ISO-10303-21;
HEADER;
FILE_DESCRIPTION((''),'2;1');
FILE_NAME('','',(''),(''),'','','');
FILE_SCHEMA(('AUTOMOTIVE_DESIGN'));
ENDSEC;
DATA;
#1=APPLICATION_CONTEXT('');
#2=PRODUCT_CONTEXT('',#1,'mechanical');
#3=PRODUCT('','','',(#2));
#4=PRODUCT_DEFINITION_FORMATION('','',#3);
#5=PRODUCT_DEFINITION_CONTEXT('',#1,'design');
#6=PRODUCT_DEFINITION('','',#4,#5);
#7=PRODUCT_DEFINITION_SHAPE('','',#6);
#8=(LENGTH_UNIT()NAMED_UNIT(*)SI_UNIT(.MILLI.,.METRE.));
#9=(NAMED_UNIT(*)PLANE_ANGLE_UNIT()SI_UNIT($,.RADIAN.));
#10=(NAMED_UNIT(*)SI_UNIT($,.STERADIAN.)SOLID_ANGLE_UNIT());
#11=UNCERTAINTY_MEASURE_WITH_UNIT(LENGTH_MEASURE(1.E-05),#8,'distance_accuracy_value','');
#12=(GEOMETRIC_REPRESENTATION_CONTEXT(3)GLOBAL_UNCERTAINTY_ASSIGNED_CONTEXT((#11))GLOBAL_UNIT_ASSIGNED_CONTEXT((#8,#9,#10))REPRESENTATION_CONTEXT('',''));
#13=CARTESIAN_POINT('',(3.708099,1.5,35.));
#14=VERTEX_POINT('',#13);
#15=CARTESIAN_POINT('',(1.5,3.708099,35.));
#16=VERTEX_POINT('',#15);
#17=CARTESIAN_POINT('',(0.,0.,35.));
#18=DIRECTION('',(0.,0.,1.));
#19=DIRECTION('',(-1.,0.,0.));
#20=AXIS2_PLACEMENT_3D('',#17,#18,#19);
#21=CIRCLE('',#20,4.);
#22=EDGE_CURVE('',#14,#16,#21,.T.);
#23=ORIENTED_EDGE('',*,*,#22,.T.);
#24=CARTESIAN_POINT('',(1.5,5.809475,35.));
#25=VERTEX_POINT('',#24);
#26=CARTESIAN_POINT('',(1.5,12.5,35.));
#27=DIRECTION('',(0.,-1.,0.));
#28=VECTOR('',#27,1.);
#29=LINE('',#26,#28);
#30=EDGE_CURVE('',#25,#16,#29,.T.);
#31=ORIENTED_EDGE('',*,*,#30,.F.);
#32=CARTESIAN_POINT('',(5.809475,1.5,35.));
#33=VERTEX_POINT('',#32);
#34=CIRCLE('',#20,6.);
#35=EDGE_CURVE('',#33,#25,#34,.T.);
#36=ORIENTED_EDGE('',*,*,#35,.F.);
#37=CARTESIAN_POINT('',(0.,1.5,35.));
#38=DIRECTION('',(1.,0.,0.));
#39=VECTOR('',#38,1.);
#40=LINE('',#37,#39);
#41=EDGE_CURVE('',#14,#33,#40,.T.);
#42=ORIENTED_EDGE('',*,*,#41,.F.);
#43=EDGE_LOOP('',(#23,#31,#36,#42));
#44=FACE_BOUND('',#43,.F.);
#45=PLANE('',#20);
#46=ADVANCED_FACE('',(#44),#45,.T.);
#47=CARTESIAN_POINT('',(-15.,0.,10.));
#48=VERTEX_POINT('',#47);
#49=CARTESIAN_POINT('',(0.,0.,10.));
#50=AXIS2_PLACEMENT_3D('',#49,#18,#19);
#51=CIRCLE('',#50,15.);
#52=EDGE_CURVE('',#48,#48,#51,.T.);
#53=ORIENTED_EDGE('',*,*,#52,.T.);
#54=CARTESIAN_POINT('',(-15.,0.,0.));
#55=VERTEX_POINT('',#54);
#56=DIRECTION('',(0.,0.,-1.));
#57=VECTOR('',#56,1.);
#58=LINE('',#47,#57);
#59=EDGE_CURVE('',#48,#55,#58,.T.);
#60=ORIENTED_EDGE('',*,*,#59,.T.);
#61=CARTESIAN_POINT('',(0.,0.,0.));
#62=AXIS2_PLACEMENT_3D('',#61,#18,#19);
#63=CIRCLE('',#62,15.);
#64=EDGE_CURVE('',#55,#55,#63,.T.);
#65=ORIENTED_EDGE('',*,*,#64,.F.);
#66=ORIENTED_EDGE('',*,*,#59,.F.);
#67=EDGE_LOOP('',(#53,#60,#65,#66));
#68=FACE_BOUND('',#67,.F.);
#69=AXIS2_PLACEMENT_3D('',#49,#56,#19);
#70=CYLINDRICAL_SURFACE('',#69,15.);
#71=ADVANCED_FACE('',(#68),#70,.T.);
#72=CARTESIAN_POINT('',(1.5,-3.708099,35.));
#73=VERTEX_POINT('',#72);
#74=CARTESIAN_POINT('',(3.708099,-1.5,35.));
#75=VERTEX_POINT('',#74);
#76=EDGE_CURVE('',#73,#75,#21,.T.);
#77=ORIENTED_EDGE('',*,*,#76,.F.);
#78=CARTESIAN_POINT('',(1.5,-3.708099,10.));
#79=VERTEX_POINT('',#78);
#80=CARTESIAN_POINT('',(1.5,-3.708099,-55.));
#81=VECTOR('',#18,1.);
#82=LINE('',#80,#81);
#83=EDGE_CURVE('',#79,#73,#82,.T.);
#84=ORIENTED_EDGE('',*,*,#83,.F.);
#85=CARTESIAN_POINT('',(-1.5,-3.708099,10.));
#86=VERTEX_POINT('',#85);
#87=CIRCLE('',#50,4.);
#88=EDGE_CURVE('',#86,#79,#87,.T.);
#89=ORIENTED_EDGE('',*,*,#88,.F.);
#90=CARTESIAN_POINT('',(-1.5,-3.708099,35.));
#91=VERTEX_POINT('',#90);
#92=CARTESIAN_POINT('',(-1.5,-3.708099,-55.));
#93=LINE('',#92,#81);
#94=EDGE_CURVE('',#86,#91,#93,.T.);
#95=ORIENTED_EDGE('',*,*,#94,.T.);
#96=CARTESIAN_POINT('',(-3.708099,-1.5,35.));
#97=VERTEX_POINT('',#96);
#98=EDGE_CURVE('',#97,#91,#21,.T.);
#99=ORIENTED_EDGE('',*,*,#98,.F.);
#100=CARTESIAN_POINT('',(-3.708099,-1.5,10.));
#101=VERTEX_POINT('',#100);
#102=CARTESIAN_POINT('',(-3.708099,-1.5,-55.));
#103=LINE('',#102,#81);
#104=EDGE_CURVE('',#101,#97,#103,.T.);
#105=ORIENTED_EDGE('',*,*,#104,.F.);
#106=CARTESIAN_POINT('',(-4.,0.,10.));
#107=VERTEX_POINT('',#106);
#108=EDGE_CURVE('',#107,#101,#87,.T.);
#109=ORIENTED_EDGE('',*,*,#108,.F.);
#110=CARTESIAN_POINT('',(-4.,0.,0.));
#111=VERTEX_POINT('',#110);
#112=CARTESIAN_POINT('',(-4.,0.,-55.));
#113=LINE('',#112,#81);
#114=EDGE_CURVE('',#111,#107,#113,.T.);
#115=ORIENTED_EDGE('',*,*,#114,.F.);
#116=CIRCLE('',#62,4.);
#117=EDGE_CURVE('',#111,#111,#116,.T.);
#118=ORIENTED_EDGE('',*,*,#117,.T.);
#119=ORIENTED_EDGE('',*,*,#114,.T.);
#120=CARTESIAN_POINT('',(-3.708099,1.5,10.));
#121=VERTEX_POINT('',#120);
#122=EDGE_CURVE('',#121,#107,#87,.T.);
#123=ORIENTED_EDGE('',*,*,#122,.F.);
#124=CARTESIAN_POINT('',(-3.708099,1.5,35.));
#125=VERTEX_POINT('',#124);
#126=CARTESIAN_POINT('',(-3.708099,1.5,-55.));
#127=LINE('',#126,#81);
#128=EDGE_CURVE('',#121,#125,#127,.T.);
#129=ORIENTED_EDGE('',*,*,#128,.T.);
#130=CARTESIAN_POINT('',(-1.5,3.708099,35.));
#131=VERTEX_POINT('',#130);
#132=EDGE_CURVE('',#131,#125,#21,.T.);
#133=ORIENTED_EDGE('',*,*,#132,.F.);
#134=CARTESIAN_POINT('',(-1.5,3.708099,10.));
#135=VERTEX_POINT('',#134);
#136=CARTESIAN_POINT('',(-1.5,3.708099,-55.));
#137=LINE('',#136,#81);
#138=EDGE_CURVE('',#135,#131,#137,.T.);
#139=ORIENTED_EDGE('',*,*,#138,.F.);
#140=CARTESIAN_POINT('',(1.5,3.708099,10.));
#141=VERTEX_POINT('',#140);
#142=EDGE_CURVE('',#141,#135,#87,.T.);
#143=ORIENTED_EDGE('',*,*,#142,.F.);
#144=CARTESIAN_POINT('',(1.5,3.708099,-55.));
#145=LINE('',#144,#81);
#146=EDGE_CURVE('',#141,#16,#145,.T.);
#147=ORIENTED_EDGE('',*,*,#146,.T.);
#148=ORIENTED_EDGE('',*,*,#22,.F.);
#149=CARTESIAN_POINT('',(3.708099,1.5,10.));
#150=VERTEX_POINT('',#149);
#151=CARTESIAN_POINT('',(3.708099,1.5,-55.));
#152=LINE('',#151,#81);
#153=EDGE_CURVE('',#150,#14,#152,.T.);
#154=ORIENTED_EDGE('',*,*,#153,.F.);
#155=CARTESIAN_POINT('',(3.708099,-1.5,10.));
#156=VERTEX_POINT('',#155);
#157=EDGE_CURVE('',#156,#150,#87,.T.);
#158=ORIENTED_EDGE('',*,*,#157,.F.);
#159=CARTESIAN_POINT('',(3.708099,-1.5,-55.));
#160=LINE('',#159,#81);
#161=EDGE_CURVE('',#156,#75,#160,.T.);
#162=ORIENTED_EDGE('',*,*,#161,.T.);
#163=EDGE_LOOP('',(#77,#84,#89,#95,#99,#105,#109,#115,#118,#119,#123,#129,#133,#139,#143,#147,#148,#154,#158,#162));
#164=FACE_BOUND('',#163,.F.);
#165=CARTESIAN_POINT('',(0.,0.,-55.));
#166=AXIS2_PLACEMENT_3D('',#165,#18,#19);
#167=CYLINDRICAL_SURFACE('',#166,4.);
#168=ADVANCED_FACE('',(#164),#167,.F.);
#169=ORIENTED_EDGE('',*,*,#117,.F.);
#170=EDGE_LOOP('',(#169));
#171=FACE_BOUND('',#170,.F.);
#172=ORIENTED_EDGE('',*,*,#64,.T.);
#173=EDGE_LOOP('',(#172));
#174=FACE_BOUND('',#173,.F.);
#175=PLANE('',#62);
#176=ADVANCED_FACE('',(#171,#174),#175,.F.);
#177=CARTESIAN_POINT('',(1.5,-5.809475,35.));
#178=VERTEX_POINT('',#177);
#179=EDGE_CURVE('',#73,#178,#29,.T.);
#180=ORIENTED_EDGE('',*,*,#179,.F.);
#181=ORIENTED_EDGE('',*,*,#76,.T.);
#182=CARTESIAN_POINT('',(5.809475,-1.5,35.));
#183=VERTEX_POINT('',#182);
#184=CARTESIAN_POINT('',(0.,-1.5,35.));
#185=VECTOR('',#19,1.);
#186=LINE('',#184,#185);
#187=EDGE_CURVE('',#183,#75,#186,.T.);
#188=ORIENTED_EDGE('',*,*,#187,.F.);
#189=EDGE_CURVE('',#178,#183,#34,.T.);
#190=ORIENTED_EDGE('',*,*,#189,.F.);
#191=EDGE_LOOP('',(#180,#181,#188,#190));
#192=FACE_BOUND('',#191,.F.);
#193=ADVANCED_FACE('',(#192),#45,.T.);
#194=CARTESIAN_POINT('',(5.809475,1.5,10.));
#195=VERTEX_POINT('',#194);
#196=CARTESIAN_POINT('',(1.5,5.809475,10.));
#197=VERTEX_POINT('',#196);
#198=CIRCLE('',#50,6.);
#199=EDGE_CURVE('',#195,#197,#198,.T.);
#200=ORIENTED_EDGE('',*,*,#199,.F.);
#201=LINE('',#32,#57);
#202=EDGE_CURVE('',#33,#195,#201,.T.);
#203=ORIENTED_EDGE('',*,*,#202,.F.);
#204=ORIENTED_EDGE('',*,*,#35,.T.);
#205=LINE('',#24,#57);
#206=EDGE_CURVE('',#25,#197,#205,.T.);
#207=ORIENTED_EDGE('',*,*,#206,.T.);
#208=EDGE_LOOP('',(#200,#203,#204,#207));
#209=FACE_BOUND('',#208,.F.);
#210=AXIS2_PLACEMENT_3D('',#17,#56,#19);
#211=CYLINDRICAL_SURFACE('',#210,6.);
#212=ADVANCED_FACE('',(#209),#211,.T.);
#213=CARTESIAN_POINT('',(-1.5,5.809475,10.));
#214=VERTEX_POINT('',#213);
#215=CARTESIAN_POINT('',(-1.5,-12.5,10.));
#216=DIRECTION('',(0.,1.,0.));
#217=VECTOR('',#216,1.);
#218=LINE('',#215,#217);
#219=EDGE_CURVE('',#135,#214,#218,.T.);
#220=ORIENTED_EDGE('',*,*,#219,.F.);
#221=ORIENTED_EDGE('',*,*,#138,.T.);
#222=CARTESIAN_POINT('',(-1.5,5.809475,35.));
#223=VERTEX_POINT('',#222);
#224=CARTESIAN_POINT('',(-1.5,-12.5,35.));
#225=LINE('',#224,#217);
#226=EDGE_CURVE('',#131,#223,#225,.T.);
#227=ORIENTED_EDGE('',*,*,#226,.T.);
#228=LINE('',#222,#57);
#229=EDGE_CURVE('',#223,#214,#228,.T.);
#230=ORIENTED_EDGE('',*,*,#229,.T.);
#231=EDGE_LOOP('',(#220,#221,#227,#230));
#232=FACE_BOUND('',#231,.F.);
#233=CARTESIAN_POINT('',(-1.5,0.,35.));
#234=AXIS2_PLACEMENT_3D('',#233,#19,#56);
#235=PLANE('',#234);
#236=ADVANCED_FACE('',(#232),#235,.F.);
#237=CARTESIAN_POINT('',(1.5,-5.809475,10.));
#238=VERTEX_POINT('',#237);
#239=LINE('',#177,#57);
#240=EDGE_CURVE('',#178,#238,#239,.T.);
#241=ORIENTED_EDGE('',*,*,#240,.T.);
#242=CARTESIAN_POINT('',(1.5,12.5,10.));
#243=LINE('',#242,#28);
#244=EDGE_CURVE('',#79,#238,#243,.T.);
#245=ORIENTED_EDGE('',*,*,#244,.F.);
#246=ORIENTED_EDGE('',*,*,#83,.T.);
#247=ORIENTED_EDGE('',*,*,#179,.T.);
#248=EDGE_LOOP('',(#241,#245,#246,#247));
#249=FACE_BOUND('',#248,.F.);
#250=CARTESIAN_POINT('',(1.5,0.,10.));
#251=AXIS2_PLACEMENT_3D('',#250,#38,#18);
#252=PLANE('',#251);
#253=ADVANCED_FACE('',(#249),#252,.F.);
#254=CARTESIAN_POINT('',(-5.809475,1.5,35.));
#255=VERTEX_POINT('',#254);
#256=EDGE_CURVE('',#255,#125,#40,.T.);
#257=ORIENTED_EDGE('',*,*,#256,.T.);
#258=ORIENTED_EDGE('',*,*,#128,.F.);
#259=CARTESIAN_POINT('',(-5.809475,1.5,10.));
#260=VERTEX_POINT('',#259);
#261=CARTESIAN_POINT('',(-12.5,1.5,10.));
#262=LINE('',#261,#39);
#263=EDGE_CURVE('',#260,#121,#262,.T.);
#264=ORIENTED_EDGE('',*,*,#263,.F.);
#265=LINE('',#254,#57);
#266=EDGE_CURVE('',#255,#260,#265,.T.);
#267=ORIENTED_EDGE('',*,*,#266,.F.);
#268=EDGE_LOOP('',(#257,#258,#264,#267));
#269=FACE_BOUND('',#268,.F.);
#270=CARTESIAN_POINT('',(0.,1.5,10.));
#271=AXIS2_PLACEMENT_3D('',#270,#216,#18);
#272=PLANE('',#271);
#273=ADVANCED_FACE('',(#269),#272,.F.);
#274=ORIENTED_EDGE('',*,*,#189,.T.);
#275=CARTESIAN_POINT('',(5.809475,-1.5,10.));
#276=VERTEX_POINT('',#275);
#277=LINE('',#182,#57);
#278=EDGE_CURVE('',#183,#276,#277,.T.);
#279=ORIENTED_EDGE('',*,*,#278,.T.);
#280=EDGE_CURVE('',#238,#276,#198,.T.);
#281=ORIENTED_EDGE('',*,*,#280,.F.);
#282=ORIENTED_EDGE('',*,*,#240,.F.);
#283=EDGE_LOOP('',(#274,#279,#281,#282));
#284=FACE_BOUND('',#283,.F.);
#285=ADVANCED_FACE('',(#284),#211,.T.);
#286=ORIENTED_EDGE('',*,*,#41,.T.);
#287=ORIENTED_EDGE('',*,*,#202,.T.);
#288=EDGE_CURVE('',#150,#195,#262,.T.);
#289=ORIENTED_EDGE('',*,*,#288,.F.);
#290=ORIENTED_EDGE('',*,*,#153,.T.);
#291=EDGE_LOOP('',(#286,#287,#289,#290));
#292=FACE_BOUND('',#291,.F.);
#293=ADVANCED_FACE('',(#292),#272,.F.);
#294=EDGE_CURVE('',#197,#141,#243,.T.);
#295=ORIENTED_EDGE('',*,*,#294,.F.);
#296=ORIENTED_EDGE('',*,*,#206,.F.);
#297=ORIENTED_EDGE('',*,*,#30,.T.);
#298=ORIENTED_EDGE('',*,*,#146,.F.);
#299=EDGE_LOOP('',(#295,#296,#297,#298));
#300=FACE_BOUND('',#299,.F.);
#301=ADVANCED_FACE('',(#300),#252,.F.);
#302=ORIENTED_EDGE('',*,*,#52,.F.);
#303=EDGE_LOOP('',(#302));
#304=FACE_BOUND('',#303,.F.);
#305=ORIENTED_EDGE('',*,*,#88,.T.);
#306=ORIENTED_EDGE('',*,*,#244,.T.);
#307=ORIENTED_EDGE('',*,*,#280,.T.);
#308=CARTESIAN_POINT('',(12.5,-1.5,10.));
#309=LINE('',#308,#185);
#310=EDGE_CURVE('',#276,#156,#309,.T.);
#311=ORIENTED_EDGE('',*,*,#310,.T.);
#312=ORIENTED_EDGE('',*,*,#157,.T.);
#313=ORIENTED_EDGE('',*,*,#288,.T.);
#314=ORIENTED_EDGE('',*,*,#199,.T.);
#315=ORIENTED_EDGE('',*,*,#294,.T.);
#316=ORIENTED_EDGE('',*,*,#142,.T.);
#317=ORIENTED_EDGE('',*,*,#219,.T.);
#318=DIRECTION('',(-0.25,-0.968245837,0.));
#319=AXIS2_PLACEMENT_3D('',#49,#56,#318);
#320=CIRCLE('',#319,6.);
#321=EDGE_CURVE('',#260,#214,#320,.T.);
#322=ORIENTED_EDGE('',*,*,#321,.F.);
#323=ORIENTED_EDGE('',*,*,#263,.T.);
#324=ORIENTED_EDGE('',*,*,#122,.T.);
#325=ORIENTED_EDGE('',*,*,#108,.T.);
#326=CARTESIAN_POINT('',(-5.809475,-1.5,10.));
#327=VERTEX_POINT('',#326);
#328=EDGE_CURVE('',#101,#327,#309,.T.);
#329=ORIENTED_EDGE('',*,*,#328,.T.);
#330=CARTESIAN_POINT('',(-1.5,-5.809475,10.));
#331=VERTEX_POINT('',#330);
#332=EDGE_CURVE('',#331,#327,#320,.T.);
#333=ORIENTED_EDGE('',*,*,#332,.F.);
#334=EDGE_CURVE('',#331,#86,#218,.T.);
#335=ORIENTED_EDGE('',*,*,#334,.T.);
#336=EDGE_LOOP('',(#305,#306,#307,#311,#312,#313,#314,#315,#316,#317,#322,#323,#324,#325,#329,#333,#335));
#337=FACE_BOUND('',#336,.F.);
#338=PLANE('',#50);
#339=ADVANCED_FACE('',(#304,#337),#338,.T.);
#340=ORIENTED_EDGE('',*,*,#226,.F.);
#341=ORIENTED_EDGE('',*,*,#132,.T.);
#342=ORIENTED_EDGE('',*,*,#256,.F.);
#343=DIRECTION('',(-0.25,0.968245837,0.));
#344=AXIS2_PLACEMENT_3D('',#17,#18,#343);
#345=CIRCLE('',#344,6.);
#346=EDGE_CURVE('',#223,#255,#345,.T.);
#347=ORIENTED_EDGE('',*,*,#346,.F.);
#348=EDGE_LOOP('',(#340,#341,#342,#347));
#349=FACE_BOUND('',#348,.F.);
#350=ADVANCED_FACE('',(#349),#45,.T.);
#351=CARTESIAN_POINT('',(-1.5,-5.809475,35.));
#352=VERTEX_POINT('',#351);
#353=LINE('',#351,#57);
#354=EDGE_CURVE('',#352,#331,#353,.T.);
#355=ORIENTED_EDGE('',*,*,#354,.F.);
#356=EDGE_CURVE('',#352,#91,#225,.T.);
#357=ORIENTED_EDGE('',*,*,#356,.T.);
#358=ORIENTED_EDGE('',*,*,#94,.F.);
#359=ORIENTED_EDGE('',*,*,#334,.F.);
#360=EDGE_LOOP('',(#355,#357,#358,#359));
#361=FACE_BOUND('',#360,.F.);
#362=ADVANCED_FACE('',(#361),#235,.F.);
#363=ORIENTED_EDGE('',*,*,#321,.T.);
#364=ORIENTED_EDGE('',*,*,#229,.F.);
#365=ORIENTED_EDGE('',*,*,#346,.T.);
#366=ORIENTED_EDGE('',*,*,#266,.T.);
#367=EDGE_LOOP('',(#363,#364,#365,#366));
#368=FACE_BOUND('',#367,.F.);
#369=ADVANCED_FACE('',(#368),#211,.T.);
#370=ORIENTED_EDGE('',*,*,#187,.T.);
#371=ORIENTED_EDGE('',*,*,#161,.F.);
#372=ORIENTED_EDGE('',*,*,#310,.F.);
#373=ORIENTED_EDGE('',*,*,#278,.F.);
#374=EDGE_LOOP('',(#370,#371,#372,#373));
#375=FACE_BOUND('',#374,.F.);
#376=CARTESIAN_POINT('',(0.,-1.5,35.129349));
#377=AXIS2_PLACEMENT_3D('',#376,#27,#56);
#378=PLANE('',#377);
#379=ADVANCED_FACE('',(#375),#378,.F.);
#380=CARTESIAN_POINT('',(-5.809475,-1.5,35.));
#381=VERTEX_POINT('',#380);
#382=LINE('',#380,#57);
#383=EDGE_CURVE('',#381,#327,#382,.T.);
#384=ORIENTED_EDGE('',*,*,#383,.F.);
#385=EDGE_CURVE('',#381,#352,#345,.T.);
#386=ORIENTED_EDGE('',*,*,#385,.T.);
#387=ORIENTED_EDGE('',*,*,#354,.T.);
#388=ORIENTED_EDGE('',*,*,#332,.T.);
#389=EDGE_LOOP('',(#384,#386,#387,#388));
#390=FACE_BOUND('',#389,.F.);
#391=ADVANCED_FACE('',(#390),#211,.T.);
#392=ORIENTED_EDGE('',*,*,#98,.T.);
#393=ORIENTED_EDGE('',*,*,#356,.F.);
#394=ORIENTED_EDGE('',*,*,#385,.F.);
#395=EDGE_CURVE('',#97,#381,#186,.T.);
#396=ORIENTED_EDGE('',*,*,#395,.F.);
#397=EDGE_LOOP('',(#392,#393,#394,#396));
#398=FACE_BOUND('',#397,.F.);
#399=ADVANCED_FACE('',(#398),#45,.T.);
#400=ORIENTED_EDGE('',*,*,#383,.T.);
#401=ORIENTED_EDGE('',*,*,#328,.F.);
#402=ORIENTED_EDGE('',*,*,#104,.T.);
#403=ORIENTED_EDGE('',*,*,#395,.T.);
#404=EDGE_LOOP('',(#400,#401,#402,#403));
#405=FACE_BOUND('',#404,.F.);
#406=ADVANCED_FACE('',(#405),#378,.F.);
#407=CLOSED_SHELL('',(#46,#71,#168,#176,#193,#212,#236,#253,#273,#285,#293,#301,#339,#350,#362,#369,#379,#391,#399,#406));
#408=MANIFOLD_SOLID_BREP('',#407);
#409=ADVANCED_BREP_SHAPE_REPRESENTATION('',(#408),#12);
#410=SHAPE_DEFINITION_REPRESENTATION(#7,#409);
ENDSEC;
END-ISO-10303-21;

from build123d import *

# Parameters (mm, degrees)
F3_D     = 8
F5_DEPTH = 12.5
F7_DEPTH = 12.5


with BuildPart() as f1:
    # F0 (on Front) → F1 (revolve)
    with BuildSketch(Plane.XZ):
        Polygon((-15, 0), (0, 0), (0, 35), (-6, 35), (-6, 10), (-15, 10), align=None)
    revolve(axis=Axis((0, 0, 17.5), (0, 0, 1)))

    # F3 (through all)
    with Locations(Plane(origin=(0, 0, 0), x_dir=(1, 0, 0), z_dir=(0, 0, -1))):
        with Locations((0, 0)):
            Hole(F3_D / 2)

    # F4 (on Front) → F5 (cut, symmetric)
    with BuildSketch(Plane.XZ):
        Polygon((-1.5, 10), (0, 10), (1.5, 10), (1.5, 35), (0, 35), (-1.5, 35), align=None)
    extrude(amount=F5_DEPTH, both=True, mode=Mode.SUBTRACT)

    # F6 (on Right) → F7 (cut, symmetric)
    with BuildSketch(Plane.YZ):
        Polygon((-1.5, 10), (0, 10), (1.5, 10), (1.5, 35.1293485655), (0, 35.1293485655), (-1.5, 35.1293485655), align=None)
    extrude(amount=F7_DEPTH, both=True, mode=Mode.SUBTRACT)


solid = f1.part
